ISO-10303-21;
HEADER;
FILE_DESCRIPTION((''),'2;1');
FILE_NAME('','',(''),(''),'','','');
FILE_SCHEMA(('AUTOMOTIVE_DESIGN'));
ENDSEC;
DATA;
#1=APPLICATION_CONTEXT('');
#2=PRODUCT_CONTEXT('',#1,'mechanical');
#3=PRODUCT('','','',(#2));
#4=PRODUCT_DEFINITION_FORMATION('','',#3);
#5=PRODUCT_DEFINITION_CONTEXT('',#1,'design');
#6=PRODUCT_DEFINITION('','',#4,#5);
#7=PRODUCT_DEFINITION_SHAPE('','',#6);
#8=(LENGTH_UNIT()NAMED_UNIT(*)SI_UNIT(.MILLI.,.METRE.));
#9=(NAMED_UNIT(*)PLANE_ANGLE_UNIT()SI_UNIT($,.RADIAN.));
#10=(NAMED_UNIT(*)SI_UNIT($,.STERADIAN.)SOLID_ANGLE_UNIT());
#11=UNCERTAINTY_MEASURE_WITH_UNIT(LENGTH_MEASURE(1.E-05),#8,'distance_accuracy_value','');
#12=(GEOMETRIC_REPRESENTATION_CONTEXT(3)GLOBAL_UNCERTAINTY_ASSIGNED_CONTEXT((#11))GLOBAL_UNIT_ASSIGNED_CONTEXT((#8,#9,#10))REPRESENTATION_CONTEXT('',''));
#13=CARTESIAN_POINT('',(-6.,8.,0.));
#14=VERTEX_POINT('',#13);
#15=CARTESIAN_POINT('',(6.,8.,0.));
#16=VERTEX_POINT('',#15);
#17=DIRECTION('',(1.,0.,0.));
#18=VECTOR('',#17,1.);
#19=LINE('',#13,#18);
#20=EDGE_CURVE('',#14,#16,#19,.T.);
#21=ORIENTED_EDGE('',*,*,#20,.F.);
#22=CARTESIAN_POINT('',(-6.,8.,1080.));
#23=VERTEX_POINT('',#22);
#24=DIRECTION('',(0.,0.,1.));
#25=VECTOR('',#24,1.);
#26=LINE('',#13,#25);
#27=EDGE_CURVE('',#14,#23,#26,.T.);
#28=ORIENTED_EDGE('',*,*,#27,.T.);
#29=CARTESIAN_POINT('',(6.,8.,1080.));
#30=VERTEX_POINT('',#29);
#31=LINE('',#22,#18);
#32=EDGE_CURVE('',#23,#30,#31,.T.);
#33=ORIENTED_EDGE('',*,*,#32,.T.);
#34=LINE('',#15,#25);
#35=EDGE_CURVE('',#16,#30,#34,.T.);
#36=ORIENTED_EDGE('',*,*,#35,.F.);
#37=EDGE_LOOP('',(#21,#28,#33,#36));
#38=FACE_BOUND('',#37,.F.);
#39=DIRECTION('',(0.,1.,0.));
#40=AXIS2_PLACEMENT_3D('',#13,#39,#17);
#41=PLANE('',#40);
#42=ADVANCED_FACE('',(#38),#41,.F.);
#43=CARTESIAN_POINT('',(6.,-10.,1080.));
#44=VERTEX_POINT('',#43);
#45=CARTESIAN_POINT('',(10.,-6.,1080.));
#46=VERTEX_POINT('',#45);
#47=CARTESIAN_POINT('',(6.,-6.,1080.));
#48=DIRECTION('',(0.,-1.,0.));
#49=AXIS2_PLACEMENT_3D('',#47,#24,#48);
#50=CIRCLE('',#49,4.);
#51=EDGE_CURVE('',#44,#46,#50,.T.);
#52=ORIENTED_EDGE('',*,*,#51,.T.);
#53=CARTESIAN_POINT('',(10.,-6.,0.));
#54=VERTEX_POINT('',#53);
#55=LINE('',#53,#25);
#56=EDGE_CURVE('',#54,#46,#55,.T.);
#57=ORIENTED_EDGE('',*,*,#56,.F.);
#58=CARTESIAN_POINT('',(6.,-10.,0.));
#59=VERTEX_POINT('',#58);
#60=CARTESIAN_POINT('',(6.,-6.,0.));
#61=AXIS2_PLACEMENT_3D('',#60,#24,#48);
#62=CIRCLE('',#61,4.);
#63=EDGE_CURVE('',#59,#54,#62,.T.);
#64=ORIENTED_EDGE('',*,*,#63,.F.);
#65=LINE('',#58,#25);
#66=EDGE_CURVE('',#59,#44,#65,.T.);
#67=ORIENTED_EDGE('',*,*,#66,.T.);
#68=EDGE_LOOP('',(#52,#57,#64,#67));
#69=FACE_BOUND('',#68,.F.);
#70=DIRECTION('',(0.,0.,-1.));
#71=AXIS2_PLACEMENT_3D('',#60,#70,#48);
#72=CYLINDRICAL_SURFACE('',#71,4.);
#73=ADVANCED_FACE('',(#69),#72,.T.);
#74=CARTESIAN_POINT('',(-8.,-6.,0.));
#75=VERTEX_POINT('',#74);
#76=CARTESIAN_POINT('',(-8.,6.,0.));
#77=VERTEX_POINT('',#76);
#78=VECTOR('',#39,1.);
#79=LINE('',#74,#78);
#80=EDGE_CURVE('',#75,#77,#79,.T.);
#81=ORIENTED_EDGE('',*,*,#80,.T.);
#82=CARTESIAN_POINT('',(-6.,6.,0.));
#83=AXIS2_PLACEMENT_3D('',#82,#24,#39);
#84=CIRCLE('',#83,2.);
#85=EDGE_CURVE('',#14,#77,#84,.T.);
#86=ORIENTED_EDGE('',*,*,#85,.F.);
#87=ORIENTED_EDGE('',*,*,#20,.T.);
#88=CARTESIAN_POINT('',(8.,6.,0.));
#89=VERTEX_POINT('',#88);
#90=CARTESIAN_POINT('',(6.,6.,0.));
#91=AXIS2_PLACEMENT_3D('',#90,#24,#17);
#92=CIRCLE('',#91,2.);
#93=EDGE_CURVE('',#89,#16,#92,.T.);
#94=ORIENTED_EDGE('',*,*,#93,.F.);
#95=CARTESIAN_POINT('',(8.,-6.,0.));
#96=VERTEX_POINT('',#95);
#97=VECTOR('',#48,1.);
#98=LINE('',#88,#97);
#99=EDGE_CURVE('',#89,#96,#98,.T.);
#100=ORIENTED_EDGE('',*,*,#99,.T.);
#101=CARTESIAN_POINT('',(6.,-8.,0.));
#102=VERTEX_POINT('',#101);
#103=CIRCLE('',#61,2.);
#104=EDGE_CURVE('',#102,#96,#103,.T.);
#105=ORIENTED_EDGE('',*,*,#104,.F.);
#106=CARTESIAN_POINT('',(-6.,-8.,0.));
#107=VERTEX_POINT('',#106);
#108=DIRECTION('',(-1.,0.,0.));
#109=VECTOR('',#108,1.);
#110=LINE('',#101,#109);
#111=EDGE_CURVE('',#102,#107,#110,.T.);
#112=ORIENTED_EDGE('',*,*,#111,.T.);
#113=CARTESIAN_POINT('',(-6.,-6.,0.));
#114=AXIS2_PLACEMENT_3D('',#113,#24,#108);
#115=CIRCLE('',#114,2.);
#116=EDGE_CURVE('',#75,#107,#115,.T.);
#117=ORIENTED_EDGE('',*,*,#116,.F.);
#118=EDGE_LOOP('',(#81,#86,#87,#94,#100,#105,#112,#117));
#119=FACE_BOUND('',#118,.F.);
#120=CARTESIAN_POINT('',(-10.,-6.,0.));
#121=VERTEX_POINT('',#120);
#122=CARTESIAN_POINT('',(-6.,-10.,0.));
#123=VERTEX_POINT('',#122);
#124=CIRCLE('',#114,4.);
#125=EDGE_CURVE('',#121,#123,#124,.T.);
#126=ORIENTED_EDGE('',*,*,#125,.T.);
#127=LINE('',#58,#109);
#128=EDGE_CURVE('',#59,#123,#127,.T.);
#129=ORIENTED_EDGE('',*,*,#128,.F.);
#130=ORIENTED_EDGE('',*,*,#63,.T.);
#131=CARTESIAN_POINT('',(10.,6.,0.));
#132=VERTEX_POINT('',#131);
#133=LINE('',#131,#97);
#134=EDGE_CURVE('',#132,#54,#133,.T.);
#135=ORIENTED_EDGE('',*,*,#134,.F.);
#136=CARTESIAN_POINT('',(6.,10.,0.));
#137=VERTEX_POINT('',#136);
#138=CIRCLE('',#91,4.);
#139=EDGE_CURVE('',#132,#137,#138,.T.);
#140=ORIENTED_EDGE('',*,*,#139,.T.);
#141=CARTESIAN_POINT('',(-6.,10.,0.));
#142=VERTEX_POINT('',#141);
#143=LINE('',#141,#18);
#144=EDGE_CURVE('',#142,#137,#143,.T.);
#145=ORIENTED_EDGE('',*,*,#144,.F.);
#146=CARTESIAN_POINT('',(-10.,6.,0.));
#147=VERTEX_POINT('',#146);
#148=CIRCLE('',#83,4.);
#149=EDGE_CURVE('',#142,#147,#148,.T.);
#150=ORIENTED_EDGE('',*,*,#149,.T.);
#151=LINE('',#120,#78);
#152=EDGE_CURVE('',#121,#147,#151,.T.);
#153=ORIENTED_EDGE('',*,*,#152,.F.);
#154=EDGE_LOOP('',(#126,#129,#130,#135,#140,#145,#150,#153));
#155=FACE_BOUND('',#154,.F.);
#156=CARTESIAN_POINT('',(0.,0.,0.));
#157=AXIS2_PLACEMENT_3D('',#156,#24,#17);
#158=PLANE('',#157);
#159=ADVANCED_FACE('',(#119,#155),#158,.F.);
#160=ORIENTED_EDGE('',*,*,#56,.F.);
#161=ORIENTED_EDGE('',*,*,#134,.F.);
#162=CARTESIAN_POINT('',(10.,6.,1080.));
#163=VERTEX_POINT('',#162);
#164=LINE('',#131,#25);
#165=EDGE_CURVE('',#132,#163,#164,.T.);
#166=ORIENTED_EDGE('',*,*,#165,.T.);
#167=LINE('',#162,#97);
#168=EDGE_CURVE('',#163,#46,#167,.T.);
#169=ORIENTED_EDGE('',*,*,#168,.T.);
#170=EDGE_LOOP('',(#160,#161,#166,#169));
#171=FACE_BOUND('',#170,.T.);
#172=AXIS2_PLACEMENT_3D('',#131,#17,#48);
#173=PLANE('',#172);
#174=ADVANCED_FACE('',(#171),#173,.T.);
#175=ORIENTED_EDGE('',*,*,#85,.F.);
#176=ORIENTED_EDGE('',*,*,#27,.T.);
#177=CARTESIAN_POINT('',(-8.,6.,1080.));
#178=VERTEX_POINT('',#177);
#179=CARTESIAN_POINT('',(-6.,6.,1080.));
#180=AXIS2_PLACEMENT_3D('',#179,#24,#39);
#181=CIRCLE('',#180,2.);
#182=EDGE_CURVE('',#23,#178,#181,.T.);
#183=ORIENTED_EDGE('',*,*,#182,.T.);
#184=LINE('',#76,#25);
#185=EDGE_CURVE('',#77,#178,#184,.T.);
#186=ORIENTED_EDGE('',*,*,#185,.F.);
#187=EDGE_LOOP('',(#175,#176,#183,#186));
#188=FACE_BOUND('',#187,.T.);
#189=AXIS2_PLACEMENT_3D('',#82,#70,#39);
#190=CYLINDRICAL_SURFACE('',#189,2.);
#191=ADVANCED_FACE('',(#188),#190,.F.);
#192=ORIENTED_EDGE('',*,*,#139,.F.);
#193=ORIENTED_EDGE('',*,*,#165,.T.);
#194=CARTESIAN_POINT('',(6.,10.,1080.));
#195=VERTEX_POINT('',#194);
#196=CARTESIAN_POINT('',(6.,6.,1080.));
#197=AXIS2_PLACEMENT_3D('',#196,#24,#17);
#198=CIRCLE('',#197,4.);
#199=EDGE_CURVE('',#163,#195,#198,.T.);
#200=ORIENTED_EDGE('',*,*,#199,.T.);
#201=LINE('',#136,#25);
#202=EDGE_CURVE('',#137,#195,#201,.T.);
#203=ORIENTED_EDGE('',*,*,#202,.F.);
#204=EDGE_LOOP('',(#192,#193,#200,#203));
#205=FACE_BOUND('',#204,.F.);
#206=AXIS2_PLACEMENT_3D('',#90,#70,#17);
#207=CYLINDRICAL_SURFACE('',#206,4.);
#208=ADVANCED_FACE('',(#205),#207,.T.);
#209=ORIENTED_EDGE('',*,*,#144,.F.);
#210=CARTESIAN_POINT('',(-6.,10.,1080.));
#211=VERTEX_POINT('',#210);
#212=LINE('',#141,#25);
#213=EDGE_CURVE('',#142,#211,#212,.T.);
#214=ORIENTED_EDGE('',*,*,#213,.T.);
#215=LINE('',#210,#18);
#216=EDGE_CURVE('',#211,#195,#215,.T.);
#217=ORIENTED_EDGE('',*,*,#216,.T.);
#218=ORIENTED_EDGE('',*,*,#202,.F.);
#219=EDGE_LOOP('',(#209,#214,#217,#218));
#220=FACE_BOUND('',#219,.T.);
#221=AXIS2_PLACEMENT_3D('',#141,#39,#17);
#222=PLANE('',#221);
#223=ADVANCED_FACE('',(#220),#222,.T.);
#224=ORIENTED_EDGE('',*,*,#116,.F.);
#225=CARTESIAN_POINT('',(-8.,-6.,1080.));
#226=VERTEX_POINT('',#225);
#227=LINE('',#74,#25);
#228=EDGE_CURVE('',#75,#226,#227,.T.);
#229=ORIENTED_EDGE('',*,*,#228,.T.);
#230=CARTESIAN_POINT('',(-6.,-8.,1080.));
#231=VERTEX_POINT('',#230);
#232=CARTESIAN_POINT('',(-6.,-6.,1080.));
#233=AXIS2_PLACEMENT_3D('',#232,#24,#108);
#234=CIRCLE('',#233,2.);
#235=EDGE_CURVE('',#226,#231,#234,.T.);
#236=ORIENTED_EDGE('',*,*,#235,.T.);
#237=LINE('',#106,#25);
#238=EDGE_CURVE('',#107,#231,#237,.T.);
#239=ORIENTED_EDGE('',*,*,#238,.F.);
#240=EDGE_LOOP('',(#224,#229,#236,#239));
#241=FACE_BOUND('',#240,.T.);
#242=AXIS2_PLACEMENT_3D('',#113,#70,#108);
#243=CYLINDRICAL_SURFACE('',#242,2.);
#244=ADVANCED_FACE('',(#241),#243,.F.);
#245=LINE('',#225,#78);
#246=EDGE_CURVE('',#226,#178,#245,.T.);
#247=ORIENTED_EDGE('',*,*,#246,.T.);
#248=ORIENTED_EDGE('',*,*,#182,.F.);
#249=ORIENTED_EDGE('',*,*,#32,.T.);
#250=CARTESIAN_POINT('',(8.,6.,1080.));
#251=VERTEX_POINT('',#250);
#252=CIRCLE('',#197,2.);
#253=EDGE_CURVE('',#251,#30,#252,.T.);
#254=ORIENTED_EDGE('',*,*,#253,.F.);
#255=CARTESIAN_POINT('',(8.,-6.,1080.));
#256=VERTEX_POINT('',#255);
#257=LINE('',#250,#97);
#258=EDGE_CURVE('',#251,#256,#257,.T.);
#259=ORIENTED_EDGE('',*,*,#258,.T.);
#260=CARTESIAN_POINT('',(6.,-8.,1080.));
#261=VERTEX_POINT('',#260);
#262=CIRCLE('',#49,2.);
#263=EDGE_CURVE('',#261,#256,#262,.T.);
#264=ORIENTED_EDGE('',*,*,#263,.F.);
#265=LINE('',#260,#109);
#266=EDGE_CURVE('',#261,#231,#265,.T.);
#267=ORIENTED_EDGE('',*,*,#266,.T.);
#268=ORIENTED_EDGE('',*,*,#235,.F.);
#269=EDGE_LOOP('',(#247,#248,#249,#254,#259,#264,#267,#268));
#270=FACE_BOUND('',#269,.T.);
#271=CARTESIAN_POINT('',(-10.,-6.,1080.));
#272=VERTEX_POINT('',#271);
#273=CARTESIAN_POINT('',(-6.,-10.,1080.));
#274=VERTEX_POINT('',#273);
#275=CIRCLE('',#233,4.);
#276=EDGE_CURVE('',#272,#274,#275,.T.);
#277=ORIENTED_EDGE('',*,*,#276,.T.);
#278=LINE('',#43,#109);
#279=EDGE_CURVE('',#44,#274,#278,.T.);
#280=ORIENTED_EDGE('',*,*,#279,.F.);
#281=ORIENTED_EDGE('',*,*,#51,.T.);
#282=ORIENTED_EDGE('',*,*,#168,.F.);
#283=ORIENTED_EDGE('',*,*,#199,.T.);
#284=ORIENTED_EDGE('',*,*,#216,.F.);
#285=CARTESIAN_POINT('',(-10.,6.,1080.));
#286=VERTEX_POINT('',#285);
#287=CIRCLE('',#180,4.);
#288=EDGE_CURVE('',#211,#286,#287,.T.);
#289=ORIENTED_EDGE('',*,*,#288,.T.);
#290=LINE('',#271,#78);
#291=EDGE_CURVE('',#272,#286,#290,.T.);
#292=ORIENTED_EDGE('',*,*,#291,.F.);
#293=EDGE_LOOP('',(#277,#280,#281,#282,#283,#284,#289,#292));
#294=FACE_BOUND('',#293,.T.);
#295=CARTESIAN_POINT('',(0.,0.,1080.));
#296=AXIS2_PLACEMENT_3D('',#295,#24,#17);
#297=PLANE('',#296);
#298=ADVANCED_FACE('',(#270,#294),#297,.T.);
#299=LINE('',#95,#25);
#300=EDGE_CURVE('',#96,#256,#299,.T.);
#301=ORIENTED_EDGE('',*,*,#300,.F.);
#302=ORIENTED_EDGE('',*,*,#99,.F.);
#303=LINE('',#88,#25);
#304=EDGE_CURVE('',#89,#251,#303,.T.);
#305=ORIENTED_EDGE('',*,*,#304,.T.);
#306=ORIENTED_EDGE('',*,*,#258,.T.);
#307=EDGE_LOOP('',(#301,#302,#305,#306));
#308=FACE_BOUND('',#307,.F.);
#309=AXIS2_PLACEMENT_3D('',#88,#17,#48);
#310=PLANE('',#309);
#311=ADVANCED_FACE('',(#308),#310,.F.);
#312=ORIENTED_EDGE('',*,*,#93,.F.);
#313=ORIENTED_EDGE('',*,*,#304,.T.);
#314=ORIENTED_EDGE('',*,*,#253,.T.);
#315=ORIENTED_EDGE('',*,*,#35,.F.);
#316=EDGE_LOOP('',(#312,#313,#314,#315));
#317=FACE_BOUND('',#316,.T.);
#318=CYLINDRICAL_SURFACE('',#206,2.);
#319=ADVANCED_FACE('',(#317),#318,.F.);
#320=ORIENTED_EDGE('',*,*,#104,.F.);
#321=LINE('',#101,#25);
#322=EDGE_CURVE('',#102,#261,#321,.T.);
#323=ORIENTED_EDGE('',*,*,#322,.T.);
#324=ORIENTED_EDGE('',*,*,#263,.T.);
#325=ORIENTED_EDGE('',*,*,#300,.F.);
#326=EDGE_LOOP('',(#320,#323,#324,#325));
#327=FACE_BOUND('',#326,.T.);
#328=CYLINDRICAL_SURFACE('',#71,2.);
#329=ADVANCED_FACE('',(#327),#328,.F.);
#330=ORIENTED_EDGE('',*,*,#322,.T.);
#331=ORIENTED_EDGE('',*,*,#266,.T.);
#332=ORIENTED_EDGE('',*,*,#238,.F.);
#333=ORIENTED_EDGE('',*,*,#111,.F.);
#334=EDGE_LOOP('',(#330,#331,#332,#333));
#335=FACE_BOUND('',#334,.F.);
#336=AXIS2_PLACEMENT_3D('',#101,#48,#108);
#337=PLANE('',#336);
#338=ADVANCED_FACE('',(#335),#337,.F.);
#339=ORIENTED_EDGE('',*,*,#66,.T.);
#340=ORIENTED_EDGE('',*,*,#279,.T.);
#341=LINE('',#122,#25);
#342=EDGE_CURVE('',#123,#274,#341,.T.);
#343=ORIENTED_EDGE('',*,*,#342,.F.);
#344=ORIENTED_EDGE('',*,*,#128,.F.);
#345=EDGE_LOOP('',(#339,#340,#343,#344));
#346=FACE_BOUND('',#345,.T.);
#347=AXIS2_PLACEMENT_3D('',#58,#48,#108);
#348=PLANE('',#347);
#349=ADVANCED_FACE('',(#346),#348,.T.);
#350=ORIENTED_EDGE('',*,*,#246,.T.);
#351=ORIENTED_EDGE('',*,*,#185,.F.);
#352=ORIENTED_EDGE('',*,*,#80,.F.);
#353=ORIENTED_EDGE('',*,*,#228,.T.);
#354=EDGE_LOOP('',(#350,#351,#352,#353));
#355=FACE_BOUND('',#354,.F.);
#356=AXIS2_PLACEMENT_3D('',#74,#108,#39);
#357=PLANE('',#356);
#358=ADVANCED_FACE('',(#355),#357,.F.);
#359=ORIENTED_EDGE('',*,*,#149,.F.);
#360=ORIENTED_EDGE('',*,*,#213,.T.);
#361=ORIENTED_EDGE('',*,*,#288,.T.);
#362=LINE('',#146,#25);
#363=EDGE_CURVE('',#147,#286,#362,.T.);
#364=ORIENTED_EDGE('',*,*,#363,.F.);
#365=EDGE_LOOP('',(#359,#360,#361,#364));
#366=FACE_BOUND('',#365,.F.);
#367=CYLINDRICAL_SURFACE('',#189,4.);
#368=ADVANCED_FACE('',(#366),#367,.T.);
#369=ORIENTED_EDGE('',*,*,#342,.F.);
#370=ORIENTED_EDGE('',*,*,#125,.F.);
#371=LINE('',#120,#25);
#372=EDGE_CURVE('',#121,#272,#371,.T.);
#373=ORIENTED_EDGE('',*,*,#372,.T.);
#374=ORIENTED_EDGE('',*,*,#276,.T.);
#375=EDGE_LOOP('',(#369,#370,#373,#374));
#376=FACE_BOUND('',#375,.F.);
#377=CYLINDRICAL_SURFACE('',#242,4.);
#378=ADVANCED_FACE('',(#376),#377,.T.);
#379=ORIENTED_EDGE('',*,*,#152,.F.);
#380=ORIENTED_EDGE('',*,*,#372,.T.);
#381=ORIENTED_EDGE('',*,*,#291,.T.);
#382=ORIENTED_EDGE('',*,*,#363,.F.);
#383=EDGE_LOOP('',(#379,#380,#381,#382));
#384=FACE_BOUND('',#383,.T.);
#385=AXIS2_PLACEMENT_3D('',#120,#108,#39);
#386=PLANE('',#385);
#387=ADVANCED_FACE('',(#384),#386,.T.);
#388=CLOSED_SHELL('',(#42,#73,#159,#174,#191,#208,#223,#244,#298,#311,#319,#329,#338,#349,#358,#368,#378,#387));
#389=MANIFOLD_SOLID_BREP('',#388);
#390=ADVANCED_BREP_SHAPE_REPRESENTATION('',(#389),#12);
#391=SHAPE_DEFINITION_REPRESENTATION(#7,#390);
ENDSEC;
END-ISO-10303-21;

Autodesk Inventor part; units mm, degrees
ref_plane "Start plane" through (0, 0, 0) normal (0, 0, 1) x (1, 0, 0)
ref_plane "End plane" through (0, 0, 1080) normal (0, 0, 1) x (1, 0, 0)
sketch "Sketch" plane through (0, 0, 0) normal (0, 0, 1) x (1, 0, 0)
  line L0 (-10, -6) -> (-10, 6)
  line L1 (-6, 10) -> (6, 10)
  line L2 (10, 6) -> (10, -6)
  line L3 (6, -10) -> (-6, -10)
  arc A0 (-10, -6) -> (-6, -10) centre (-6, -6) ccw
  arc A1 (10, 6) -> (6, 10) centre (6, 6) ccw
  arc A2 (-6, 10) -> (-10, 6) centre (-6, 6) ccw
  arc A3 (6, -10) -> (10, -6) centre (6, -6) ccw
  arc A4 (-6, 8) -> (-8, 6) centre (-6, 6) ccw
  line L4 (-6, 8) -> (6, 8)
  arc A5 (8, 6) -> (6, 8) centre (6, 6) ccw
  line L5 (8, 6) -> (8, -6)
  arc A6 (6, -8) -> (8, -6) centre (6, -6) ccw
  line L6 (6, -8) -> (-6, -8)
  arc A7 (-8, -6) -> (-6, -8) centre (-6, -6) ccw
  line L7 (-8, -6) -> (-8, 6)
  line L8 (0, 15.1598) -> (0, -15.1598) construction
  line L9 (-15.1598, 0) -> (15.1598, 0) construction
  dimension "d7" = 4
  dimension "d9" = 20
  dimension "d11" = 20
  dimension "d12" = 2
  dimension "d15" = 10
  dimension "d16" = 10
extrude "Body" add sketch "Sketch" along normal up to surface (1080 mm away) from surface at 0
sketch "Sketch3" plane through (0, 0, 0) normal (0, 0, 1) x (1, 0, 0)
  line L0 (0, 0) -> (10, 0)
ref_plane "Work Plane3" through (0, 0, 0) normal (0, -1, 0) x (1, 0, 0)
sketch "Sketch4" plane through (0, 0, 0) normal (0, -1, 0) x (1, 0, 0)
  line L0 (-2, 0) -> (12, 0)
  line L1 (-2, 1080) -> (12, 1080)
  dimension "d18" = 1080
ref_plane "Work Plane4" through (0, -10, 1080) normal (0, 0, 1) x (1, 0, 0)
split "Split1" plane through (0, -10, 1080) removes the side toward (0, 0, 1)
equation "\"d7\" = G_IR"
equation "\"d9\" = G_W"
equation "\"d11\" = G_H"
equation "\"d12\" = G_T"
equation "\"d15\" = 0.5 * d9"
equation "\"d16\" = 0.5 * d11"
equation "\"d3\" = G_L"
equation "\"G_W\" = 20"
equation "\"G_H\" = 20"
equation "\"G_T\" = 2"
equation "\"G_IR\" = 4"
equation "\"G_L\" = d18"
equation "\"G_OFFSET_START\" = 0"
properties part number "ISO 4019 - 20x20x2 - 1080" material "Steel, Mild"
